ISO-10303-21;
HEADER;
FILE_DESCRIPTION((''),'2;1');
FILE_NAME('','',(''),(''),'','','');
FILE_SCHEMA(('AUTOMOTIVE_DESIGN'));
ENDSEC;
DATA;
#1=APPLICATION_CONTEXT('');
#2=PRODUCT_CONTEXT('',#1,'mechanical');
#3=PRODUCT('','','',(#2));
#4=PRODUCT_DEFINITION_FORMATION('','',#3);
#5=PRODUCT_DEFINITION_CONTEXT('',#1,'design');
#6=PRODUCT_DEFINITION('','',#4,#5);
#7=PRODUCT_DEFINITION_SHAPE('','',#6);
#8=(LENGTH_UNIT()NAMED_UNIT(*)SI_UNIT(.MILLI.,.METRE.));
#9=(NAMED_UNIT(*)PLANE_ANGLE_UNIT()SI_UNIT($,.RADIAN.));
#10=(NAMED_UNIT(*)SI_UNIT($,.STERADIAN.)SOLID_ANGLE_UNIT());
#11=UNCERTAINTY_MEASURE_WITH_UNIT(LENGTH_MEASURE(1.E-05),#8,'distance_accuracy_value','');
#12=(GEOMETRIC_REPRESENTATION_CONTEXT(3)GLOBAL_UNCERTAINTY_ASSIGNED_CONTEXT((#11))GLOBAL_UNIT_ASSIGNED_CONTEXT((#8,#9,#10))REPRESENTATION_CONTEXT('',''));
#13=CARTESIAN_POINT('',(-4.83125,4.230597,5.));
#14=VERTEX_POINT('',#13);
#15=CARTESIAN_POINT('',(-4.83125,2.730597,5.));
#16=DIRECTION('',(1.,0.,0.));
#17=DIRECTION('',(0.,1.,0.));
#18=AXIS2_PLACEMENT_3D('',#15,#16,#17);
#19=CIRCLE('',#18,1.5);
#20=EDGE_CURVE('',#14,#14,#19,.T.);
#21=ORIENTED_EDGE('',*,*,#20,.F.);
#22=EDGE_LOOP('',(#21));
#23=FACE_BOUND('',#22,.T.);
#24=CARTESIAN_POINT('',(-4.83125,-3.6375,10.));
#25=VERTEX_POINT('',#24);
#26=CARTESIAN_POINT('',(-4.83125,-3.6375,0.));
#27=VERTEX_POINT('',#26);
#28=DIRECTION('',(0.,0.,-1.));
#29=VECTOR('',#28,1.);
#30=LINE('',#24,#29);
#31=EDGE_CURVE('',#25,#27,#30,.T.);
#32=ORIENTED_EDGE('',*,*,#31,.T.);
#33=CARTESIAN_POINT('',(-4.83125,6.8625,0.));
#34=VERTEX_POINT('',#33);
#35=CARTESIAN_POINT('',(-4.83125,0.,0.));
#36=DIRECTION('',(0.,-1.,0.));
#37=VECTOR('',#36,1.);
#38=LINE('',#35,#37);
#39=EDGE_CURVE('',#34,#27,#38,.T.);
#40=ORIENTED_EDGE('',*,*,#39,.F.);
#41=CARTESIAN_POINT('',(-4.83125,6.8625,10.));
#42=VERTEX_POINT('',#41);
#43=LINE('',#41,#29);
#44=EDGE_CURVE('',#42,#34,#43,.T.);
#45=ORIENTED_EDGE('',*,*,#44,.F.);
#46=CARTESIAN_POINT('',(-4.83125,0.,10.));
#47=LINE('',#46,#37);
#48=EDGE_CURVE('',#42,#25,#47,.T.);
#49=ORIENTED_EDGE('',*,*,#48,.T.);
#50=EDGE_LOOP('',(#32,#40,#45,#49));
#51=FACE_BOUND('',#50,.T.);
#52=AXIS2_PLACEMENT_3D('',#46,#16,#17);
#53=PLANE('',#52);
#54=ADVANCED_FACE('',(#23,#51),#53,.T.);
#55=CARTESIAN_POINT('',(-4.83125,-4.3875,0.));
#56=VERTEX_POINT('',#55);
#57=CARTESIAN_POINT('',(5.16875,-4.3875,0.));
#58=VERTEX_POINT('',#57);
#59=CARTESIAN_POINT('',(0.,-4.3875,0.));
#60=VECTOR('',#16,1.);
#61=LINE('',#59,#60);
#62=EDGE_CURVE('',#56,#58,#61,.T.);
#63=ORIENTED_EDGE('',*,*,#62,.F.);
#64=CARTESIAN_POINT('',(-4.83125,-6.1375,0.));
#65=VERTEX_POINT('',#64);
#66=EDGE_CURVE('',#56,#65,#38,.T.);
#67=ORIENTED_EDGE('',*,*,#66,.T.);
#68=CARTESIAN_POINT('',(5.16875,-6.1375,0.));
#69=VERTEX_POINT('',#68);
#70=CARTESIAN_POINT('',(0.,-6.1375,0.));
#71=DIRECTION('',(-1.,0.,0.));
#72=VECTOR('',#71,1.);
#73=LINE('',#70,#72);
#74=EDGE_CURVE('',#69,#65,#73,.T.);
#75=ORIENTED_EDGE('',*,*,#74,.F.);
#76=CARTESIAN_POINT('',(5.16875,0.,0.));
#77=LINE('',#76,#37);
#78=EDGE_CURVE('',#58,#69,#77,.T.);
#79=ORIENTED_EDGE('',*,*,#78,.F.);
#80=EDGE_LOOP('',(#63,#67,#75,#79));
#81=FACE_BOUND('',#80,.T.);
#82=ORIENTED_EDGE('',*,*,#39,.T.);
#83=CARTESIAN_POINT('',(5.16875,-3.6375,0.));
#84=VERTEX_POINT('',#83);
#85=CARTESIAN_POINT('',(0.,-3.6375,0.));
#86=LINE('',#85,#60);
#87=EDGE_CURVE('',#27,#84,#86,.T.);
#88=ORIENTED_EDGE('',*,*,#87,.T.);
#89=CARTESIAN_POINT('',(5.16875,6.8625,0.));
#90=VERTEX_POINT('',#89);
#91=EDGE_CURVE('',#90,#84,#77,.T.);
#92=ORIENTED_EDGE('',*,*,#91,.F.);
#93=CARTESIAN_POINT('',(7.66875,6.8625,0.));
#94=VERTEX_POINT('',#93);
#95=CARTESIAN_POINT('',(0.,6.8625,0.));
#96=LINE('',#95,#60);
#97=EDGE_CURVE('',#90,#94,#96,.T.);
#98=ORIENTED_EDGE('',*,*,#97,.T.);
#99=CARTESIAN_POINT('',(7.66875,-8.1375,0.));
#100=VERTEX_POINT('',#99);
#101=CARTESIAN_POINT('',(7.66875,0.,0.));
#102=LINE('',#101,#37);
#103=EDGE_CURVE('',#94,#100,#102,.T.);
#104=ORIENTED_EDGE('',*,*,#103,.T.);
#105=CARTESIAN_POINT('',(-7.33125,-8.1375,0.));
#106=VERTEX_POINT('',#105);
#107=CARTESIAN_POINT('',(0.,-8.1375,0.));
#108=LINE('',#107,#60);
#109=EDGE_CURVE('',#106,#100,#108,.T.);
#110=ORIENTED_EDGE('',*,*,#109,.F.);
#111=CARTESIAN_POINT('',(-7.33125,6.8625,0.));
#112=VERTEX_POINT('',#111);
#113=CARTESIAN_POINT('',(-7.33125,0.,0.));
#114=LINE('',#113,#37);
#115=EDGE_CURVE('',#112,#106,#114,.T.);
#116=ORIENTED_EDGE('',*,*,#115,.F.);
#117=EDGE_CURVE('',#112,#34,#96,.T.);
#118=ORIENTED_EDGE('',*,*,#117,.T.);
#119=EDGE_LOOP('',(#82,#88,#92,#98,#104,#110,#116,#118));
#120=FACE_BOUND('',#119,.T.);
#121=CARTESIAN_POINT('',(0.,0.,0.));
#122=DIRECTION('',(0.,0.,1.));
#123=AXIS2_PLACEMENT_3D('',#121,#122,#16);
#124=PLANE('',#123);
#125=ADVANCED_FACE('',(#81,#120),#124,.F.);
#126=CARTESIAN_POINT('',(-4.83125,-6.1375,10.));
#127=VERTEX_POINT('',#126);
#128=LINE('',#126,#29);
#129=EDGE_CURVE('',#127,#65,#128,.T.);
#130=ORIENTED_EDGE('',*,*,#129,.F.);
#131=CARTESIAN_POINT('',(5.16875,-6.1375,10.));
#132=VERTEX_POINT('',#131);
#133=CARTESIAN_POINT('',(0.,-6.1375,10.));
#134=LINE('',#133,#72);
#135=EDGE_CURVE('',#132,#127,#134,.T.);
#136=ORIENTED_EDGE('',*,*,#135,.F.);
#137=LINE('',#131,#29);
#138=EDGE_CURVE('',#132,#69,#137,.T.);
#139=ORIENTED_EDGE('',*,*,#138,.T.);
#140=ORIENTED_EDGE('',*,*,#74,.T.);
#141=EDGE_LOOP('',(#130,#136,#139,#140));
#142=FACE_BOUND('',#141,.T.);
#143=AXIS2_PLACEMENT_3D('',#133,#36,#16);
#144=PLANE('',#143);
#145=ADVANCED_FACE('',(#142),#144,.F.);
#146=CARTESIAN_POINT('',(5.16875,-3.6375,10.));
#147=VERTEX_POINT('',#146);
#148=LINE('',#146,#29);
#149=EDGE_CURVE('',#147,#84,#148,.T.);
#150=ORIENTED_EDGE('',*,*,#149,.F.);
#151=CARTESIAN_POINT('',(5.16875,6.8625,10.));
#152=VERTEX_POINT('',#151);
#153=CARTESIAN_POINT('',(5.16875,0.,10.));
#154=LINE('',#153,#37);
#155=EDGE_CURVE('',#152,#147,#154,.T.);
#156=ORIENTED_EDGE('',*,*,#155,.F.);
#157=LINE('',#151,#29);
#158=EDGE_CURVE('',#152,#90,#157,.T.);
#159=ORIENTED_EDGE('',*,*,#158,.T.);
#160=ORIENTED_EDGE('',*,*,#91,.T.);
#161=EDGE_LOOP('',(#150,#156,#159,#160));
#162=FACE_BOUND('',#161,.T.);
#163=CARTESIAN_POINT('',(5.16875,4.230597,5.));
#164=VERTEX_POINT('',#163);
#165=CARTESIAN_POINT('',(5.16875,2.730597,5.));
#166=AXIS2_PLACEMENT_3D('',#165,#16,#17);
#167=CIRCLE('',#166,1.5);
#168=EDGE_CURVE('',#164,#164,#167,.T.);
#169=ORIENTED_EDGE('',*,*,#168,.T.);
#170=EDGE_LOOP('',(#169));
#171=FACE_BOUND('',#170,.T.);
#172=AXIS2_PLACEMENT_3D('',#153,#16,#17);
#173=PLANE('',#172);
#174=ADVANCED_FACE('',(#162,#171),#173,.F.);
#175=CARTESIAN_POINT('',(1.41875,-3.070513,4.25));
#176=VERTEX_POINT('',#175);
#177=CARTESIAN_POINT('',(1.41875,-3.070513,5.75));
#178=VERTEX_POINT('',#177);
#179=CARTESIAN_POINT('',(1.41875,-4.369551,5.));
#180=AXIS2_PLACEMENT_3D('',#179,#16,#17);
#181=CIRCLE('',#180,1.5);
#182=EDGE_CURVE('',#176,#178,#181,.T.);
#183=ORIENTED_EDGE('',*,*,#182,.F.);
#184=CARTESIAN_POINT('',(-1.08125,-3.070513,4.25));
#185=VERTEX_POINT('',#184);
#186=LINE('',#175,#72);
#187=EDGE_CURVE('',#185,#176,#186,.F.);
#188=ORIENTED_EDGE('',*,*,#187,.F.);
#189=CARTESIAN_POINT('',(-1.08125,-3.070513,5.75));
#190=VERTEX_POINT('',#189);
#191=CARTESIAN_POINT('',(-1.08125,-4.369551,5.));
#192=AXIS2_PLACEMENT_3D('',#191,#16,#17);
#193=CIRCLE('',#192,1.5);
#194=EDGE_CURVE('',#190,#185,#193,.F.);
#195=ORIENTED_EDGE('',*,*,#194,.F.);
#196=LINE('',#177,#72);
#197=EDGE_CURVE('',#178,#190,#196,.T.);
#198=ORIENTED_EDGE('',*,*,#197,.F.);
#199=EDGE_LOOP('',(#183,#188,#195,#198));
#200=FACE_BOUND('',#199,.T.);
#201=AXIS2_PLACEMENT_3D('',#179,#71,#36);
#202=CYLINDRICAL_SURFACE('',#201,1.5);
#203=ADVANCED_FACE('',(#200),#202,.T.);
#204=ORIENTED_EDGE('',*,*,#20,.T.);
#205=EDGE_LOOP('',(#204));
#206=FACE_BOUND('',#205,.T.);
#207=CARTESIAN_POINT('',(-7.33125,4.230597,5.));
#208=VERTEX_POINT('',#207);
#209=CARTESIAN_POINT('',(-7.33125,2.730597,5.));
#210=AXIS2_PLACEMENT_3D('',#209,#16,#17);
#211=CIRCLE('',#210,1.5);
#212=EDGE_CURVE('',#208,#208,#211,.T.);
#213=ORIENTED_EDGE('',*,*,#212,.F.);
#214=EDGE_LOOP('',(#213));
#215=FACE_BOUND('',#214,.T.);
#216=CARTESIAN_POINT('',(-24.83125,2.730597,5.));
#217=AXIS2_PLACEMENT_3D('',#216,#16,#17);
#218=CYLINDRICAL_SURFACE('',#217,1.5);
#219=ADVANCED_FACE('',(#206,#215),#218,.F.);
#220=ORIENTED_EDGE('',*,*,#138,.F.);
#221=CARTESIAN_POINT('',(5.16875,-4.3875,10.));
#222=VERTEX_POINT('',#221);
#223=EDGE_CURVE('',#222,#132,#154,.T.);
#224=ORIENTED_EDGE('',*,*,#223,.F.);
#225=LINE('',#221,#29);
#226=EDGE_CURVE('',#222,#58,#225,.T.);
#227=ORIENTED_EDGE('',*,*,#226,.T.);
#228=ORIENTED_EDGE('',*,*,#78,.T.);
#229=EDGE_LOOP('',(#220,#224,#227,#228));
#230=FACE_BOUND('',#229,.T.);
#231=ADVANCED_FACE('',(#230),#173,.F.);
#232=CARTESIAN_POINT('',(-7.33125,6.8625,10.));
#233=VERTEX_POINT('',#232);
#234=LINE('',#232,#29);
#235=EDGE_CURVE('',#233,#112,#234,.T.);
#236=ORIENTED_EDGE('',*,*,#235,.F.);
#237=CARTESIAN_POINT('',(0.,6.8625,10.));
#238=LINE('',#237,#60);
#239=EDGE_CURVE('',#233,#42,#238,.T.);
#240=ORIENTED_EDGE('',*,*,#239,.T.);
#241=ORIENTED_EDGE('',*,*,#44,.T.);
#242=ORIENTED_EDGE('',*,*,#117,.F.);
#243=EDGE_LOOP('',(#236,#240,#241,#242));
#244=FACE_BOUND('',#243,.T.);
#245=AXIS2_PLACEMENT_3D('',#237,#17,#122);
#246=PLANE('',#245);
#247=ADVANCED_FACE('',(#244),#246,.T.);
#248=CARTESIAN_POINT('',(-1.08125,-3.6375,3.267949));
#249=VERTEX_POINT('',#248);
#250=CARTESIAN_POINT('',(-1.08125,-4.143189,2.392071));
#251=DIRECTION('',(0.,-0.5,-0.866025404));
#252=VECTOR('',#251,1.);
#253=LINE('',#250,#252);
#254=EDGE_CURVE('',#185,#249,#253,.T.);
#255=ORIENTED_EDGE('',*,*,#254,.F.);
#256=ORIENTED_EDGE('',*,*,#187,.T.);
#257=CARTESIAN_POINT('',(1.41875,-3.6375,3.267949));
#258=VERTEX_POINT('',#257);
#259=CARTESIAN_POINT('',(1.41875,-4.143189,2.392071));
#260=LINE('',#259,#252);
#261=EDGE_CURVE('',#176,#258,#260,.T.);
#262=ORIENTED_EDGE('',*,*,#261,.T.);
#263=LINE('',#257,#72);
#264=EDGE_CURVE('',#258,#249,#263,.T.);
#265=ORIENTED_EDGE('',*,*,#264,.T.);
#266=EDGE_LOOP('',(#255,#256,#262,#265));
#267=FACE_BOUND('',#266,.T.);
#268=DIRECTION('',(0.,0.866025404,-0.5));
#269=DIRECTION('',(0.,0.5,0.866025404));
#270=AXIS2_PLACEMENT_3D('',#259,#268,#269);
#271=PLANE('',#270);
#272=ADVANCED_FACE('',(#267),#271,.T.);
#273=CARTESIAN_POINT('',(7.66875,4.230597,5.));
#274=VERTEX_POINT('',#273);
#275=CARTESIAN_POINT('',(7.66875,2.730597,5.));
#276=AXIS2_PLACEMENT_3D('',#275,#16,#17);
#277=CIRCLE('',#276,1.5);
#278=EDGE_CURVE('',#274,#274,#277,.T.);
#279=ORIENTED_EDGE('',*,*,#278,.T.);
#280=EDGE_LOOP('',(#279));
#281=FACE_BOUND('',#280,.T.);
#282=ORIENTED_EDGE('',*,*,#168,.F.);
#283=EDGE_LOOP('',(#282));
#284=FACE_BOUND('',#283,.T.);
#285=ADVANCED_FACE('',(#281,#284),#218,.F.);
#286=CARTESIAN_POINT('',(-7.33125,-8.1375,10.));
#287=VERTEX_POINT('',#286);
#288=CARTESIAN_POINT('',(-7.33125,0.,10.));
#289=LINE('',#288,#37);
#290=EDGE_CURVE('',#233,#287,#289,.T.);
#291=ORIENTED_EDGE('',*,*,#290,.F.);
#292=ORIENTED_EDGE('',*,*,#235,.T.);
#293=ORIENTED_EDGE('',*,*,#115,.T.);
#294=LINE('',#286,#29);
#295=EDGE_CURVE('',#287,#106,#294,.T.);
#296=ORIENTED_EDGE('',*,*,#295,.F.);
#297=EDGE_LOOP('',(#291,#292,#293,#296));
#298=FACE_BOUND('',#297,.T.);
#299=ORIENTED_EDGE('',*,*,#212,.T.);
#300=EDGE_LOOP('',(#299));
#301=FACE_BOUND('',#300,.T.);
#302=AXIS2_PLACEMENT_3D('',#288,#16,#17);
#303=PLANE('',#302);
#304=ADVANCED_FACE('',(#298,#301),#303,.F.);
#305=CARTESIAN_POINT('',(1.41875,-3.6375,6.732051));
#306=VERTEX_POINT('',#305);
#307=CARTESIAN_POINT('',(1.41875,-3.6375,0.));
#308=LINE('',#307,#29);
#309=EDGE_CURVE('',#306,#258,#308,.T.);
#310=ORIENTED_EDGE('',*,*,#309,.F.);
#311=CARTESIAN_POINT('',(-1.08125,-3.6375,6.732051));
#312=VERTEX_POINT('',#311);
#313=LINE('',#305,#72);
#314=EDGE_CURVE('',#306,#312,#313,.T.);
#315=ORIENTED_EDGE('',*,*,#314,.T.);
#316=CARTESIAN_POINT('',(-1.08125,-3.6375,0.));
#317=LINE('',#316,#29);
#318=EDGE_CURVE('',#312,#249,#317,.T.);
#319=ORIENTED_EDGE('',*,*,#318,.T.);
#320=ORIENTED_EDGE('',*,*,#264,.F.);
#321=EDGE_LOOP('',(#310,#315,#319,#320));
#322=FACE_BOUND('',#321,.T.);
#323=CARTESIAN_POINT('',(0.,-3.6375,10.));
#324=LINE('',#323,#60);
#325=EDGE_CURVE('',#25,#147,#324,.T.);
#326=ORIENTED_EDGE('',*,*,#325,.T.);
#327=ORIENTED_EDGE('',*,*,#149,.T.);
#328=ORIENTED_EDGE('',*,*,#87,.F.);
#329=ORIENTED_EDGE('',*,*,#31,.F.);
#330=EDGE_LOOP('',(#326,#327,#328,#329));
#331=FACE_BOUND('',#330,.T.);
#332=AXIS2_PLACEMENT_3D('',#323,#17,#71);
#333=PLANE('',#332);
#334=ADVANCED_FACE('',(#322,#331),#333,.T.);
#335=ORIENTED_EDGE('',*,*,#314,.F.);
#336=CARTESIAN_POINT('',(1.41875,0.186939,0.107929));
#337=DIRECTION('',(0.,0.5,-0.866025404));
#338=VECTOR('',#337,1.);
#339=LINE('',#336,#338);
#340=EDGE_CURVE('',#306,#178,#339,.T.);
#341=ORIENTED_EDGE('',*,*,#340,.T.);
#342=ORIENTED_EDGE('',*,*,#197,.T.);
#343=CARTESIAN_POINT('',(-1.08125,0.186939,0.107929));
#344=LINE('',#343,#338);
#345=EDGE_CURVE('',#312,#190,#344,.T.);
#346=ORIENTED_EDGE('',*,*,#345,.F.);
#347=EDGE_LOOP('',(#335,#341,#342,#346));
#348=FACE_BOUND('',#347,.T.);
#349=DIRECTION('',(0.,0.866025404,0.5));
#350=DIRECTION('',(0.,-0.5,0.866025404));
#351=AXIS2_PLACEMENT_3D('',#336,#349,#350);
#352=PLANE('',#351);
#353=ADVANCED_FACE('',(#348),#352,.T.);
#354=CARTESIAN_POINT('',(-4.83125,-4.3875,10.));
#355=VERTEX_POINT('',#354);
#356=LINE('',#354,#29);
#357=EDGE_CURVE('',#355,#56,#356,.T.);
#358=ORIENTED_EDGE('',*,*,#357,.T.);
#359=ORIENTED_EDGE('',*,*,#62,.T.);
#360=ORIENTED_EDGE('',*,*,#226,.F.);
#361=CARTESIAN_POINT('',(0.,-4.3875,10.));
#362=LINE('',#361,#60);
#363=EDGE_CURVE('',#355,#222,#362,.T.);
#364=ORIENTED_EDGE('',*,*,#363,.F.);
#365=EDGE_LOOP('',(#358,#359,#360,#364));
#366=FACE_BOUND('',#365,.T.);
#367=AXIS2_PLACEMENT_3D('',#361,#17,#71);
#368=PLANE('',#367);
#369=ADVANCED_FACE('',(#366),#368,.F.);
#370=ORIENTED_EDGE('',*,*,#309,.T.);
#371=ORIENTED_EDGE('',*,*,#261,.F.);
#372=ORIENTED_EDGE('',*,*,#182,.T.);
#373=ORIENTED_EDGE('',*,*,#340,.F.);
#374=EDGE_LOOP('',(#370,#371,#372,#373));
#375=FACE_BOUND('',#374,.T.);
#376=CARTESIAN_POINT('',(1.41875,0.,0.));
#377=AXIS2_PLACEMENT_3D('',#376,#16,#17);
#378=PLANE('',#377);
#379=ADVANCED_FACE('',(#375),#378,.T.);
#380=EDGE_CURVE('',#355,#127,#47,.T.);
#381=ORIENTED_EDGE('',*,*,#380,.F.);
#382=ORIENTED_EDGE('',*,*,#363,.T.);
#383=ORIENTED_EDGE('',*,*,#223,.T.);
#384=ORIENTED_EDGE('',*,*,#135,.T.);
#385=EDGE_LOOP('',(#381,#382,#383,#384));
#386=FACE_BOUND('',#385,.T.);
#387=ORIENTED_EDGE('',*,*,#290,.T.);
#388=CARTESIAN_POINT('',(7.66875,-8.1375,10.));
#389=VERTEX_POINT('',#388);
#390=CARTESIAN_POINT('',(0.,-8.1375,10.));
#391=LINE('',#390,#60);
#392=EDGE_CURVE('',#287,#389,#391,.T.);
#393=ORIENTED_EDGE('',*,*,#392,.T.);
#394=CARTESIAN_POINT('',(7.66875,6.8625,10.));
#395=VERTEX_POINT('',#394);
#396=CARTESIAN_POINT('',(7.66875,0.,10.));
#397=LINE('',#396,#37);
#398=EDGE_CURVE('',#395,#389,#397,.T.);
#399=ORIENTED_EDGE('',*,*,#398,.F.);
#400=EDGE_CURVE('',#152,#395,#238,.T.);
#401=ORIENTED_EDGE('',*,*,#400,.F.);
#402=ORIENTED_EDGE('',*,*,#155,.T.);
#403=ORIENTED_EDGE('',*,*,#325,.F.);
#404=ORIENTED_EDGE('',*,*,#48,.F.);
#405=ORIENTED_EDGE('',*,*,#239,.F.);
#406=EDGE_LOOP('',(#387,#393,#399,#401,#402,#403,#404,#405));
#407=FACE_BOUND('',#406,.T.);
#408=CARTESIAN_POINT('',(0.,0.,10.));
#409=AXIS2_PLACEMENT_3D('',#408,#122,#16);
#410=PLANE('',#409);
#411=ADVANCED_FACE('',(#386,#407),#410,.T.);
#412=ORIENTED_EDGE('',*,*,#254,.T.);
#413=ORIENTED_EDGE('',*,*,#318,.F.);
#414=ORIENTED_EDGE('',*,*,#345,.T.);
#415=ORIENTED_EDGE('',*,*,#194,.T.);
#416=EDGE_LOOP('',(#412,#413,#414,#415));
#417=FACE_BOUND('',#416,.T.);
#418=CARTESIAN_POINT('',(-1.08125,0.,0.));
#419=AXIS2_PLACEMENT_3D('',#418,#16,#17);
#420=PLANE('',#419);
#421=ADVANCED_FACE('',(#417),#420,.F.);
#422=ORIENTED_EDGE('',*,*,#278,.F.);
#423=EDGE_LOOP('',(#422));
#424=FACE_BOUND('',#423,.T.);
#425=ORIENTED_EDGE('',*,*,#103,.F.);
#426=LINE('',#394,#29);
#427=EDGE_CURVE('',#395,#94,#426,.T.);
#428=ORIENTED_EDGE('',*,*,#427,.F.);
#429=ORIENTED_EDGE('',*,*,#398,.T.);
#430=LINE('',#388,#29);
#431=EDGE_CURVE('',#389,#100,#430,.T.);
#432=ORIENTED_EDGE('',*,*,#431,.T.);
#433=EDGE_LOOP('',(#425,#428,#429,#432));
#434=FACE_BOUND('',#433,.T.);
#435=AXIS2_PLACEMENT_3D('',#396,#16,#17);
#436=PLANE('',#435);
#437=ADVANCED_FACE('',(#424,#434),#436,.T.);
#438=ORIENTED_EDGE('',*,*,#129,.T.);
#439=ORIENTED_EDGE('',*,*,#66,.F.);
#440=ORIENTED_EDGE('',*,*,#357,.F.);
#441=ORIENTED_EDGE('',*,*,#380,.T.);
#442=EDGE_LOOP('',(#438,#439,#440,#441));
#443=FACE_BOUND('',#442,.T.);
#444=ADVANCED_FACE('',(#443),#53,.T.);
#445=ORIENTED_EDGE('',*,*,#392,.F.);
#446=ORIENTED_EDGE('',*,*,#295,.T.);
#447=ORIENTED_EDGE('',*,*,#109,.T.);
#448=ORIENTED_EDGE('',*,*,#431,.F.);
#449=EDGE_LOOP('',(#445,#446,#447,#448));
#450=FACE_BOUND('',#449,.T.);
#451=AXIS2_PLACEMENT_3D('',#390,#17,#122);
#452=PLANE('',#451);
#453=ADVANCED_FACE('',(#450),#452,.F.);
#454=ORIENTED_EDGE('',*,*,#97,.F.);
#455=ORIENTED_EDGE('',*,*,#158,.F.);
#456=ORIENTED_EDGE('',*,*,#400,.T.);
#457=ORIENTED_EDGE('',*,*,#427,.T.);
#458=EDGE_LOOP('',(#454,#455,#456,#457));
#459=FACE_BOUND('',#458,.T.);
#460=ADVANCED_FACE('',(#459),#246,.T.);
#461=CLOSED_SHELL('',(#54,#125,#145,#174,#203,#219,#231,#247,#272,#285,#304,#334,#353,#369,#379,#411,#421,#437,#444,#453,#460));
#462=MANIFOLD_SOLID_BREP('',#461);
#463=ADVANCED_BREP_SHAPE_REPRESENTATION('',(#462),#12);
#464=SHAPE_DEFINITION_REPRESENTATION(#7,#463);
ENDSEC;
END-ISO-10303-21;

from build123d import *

# Parameters (mm, degrees)
SKETCH1_W           = 10
SKETCH1_H           = 1.75
BOSS_EXTRUDE1_DEPTH = 10
BOSS_EXTRUDE2_DEPTH = 1.25
SKETCH2_5_R         = 1.5
CUT_EXTRUDE1_DEPTH  = 25
FILLET1_R           = 1.5


with BuildPart() as part:
    # Sketch1 → Boss-Extrude1 (new body)
    with BuildSketch(Plane.XY):
        Polygon((-4.83125, 6.8625), (-7.33125, 6.8625), (-7.33125, -8.1375), (7.66875, -8.1375), (7.66875, 6.8625), (5.16875, 6.8625), (5.16875, -3.6375), (-4.83125, -3.6375), align=None)
        with Locations((0.16875, -5.2625)):
            Rectangle(SKETCH1_W, SKETCH1_H, mode=Mode.SUBTRACT)
    extrude(amount=BOSS_EXTRUDE1_DEPTH)

    # Sketch2 → Boss-Extrude2 (add, symmetric)
    with BuildSketch(Plane(origin=(0.16875, 0, 0), x_dir=(0, 0, -1), z_dir=(1, 0, 0))):
        Polygon((-5, -2.6375), (-6.732050808, -3.6375), (-3.267949192, -3.6375), align=None)
    extrude(amount=BOSS_EXTRUDE2_DEPTH, both=True)

    # Sketch2<5> → Cut-Extrude1 (cut, symmetric)
    with BuildSketch(Plane(origin=(0.16875, 0, 0), x_dir=(0, 0, -1), z_dir=(1, 0, 0))):
        with Locations((-5, 2.730596766)):
            Circle(SKETCH2_5_R)
    extrude(amount=CUT_EXTRUDE1_DEPTH, both=True, mode=Mode.SUBTRACT)

    # Fillet1
    fillet1_edges = [part.edges().sort_by_distance(p)[0] for p in [
        (0.16875, -2.6375, 5),
    ]]
    fillet(fillet1_edges, radius=FILLET1_R)


solid = part.part
